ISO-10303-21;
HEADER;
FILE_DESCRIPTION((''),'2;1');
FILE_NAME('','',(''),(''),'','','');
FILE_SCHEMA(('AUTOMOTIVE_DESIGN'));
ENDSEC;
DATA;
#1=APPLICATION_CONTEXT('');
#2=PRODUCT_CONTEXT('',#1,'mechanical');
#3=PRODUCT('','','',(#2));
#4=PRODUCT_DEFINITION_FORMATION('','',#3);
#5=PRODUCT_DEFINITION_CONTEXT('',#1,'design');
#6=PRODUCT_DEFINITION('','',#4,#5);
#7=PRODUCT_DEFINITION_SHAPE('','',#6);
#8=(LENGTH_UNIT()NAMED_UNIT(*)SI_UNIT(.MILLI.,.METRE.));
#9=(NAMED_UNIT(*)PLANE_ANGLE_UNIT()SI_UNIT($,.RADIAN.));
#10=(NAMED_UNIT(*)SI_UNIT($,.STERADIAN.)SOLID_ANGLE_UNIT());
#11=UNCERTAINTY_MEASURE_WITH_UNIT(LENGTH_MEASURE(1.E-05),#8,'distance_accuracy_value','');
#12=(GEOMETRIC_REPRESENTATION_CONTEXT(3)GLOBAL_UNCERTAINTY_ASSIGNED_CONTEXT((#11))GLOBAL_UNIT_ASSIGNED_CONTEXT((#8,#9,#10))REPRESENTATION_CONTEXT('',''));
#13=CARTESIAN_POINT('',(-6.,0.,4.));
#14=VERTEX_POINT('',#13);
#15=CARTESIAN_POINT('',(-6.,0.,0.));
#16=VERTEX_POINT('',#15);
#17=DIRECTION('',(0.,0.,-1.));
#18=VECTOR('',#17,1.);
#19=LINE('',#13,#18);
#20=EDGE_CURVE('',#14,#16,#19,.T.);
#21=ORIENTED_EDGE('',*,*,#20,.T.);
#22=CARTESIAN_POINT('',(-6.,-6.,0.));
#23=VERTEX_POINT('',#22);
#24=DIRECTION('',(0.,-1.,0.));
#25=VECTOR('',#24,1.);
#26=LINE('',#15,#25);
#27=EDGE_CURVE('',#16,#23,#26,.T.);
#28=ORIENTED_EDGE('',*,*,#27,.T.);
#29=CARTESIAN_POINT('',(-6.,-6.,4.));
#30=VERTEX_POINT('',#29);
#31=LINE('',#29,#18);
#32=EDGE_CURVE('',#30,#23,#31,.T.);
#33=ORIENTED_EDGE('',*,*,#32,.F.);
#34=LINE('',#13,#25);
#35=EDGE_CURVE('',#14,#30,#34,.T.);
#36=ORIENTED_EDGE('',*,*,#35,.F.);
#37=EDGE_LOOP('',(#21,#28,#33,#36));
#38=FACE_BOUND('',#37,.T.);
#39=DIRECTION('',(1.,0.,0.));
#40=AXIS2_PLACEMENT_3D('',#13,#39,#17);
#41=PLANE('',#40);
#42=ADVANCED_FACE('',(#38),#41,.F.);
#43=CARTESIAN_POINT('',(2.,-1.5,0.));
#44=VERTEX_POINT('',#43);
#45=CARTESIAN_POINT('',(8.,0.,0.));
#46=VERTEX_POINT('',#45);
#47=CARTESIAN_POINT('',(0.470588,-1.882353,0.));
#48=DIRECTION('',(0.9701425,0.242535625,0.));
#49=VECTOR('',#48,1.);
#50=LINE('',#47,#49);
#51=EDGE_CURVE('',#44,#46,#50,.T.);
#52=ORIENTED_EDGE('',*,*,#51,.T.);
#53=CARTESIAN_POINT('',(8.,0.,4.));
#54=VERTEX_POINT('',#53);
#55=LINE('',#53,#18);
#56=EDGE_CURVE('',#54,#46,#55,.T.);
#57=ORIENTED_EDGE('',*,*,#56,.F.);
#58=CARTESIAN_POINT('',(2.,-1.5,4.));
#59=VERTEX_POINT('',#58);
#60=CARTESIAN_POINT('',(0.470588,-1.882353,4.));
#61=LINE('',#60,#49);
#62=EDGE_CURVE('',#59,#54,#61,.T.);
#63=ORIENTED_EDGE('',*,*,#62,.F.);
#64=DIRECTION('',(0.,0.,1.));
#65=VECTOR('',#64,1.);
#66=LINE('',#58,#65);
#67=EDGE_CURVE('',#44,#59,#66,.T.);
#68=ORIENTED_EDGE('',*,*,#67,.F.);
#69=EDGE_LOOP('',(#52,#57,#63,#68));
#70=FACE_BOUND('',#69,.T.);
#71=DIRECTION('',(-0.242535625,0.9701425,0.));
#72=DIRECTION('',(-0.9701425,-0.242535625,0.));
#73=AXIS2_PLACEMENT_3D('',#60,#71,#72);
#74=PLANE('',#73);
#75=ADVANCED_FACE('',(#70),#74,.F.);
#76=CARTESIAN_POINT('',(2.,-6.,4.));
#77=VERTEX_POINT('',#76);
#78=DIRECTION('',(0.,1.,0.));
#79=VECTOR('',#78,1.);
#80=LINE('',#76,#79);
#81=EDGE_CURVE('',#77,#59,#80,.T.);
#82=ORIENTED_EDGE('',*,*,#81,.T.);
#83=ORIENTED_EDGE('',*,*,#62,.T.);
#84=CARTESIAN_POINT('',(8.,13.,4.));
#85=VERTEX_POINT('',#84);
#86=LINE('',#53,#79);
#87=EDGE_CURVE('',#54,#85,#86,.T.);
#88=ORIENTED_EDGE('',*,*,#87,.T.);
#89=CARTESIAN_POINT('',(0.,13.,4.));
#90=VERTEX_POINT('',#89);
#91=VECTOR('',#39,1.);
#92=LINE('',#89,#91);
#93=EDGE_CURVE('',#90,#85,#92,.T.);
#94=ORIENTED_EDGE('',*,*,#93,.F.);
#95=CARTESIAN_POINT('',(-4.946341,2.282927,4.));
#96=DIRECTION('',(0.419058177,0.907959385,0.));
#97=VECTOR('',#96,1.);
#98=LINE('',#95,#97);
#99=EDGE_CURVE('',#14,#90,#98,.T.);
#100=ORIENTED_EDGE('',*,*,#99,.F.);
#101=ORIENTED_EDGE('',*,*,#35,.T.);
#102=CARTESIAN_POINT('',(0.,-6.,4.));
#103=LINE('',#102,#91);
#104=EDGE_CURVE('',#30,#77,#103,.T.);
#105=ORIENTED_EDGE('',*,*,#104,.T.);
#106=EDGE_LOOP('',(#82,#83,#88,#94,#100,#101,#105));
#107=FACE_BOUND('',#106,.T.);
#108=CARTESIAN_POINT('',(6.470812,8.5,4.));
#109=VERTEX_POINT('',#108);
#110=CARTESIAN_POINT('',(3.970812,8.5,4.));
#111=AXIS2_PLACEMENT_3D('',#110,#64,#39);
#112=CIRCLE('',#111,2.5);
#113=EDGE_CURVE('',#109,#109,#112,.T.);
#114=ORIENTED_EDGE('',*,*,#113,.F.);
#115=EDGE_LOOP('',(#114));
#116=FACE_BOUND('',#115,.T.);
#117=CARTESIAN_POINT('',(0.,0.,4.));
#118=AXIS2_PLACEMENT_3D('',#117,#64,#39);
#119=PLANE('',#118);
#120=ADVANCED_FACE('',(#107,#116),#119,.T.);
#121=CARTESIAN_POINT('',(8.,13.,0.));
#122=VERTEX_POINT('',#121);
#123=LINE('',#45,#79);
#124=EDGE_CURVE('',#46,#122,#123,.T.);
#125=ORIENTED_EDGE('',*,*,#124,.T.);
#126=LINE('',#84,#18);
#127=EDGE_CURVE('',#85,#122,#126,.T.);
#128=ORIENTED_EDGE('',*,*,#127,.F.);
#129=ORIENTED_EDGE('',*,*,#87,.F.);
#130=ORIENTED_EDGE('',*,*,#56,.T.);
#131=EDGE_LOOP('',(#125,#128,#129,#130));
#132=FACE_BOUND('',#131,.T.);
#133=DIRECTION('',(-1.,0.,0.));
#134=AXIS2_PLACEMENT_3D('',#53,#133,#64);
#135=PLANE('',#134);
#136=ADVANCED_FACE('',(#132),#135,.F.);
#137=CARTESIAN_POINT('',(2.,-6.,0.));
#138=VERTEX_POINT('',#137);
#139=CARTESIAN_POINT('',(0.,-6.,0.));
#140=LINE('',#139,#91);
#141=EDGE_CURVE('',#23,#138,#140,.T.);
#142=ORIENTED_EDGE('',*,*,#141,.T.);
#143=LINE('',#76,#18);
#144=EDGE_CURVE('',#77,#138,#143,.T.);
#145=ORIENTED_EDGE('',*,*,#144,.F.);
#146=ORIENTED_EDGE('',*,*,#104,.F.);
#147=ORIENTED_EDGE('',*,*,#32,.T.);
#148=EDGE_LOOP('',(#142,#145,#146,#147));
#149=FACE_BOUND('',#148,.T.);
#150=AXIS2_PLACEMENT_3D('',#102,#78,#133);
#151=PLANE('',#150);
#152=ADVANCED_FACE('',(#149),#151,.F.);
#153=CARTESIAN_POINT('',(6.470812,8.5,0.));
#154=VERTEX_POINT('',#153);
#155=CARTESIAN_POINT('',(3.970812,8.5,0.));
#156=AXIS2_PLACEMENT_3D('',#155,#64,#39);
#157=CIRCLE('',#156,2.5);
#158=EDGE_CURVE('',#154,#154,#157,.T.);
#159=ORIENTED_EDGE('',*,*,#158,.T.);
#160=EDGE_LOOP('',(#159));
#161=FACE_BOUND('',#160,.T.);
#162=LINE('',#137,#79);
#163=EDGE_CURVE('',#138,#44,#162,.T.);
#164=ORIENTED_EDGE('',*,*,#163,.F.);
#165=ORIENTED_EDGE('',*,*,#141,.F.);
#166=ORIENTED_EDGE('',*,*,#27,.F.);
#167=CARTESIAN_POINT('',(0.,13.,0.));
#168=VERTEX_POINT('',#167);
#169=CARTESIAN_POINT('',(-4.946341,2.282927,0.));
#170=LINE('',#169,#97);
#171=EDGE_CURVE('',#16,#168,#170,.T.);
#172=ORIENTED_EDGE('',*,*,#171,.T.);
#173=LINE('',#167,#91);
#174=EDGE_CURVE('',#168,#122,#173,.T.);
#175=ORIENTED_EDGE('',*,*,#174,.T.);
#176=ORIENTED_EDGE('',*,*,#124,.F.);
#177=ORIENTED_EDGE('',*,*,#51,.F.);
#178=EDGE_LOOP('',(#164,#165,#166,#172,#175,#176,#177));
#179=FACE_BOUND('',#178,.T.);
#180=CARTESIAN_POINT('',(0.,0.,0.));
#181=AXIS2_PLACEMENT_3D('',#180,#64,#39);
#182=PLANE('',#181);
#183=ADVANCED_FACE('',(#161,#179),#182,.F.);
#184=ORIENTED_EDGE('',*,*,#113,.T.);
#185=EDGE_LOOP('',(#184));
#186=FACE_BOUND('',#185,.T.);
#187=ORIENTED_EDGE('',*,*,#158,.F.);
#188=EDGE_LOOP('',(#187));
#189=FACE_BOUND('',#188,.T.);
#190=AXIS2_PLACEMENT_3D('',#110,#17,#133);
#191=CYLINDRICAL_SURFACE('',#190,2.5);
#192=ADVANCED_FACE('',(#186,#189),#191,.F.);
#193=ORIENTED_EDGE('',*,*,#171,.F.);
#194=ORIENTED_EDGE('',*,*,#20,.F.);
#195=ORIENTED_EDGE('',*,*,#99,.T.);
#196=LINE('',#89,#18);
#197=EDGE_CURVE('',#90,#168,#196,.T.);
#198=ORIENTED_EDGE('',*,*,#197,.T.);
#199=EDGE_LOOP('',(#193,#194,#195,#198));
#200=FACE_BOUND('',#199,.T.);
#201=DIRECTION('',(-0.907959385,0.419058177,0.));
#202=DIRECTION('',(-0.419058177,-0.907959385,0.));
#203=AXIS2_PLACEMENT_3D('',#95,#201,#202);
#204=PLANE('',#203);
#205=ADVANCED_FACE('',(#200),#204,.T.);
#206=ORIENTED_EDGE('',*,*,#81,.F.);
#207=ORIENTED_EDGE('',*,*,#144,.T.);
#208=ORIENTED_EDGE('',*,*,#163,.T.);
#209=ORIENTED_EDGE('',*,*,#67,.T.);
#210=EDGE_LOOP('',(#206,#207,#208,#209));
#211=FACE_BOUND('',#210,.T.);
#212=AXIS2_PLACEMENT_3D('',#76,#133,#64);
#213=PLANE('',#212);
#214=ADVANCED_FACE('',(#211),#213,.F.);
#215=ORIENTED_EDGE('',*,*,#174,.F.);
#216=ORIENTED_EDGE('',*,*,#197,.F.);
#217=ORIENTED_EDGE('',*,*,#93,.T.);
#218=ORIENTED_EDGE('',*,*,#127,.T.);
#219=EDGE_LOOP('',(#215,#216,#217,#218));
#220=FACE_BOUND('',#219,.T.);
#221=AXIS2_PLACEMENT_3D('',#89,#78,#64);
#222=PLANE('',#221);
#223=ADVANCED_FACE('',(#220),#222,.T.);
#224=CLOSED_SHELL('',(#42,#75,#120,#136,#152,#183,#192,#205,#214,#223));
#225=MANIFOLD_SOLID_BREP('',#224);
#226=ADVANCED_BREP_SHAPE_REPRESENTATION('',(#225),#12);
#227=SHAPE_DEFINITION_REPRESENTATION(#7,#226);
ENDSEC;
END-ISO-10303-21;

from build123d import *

# Parameters (mm, degrees)
SKETCH1_R           = 2.5
BOSS_EXTRUDE1_DEPTH = 4


with BuildPart() as part:
    # Sketch1 → Boss-Extrude1 (new body)
    with BuildSketch(Plane.XY):
        Polygon((-6, 0), (-6, -6), (2, -6), (2, -1.5), (8, 0), (8, 13), (0, 13), align=None)
        with Locations((3.970811984, 8.5)):
            Circle(SKETCH1_R, mode=Mode.SUBTRACT)
    extrude(amount=BOSS_EXTRUDE1_DEPTH)


solid = part.part
